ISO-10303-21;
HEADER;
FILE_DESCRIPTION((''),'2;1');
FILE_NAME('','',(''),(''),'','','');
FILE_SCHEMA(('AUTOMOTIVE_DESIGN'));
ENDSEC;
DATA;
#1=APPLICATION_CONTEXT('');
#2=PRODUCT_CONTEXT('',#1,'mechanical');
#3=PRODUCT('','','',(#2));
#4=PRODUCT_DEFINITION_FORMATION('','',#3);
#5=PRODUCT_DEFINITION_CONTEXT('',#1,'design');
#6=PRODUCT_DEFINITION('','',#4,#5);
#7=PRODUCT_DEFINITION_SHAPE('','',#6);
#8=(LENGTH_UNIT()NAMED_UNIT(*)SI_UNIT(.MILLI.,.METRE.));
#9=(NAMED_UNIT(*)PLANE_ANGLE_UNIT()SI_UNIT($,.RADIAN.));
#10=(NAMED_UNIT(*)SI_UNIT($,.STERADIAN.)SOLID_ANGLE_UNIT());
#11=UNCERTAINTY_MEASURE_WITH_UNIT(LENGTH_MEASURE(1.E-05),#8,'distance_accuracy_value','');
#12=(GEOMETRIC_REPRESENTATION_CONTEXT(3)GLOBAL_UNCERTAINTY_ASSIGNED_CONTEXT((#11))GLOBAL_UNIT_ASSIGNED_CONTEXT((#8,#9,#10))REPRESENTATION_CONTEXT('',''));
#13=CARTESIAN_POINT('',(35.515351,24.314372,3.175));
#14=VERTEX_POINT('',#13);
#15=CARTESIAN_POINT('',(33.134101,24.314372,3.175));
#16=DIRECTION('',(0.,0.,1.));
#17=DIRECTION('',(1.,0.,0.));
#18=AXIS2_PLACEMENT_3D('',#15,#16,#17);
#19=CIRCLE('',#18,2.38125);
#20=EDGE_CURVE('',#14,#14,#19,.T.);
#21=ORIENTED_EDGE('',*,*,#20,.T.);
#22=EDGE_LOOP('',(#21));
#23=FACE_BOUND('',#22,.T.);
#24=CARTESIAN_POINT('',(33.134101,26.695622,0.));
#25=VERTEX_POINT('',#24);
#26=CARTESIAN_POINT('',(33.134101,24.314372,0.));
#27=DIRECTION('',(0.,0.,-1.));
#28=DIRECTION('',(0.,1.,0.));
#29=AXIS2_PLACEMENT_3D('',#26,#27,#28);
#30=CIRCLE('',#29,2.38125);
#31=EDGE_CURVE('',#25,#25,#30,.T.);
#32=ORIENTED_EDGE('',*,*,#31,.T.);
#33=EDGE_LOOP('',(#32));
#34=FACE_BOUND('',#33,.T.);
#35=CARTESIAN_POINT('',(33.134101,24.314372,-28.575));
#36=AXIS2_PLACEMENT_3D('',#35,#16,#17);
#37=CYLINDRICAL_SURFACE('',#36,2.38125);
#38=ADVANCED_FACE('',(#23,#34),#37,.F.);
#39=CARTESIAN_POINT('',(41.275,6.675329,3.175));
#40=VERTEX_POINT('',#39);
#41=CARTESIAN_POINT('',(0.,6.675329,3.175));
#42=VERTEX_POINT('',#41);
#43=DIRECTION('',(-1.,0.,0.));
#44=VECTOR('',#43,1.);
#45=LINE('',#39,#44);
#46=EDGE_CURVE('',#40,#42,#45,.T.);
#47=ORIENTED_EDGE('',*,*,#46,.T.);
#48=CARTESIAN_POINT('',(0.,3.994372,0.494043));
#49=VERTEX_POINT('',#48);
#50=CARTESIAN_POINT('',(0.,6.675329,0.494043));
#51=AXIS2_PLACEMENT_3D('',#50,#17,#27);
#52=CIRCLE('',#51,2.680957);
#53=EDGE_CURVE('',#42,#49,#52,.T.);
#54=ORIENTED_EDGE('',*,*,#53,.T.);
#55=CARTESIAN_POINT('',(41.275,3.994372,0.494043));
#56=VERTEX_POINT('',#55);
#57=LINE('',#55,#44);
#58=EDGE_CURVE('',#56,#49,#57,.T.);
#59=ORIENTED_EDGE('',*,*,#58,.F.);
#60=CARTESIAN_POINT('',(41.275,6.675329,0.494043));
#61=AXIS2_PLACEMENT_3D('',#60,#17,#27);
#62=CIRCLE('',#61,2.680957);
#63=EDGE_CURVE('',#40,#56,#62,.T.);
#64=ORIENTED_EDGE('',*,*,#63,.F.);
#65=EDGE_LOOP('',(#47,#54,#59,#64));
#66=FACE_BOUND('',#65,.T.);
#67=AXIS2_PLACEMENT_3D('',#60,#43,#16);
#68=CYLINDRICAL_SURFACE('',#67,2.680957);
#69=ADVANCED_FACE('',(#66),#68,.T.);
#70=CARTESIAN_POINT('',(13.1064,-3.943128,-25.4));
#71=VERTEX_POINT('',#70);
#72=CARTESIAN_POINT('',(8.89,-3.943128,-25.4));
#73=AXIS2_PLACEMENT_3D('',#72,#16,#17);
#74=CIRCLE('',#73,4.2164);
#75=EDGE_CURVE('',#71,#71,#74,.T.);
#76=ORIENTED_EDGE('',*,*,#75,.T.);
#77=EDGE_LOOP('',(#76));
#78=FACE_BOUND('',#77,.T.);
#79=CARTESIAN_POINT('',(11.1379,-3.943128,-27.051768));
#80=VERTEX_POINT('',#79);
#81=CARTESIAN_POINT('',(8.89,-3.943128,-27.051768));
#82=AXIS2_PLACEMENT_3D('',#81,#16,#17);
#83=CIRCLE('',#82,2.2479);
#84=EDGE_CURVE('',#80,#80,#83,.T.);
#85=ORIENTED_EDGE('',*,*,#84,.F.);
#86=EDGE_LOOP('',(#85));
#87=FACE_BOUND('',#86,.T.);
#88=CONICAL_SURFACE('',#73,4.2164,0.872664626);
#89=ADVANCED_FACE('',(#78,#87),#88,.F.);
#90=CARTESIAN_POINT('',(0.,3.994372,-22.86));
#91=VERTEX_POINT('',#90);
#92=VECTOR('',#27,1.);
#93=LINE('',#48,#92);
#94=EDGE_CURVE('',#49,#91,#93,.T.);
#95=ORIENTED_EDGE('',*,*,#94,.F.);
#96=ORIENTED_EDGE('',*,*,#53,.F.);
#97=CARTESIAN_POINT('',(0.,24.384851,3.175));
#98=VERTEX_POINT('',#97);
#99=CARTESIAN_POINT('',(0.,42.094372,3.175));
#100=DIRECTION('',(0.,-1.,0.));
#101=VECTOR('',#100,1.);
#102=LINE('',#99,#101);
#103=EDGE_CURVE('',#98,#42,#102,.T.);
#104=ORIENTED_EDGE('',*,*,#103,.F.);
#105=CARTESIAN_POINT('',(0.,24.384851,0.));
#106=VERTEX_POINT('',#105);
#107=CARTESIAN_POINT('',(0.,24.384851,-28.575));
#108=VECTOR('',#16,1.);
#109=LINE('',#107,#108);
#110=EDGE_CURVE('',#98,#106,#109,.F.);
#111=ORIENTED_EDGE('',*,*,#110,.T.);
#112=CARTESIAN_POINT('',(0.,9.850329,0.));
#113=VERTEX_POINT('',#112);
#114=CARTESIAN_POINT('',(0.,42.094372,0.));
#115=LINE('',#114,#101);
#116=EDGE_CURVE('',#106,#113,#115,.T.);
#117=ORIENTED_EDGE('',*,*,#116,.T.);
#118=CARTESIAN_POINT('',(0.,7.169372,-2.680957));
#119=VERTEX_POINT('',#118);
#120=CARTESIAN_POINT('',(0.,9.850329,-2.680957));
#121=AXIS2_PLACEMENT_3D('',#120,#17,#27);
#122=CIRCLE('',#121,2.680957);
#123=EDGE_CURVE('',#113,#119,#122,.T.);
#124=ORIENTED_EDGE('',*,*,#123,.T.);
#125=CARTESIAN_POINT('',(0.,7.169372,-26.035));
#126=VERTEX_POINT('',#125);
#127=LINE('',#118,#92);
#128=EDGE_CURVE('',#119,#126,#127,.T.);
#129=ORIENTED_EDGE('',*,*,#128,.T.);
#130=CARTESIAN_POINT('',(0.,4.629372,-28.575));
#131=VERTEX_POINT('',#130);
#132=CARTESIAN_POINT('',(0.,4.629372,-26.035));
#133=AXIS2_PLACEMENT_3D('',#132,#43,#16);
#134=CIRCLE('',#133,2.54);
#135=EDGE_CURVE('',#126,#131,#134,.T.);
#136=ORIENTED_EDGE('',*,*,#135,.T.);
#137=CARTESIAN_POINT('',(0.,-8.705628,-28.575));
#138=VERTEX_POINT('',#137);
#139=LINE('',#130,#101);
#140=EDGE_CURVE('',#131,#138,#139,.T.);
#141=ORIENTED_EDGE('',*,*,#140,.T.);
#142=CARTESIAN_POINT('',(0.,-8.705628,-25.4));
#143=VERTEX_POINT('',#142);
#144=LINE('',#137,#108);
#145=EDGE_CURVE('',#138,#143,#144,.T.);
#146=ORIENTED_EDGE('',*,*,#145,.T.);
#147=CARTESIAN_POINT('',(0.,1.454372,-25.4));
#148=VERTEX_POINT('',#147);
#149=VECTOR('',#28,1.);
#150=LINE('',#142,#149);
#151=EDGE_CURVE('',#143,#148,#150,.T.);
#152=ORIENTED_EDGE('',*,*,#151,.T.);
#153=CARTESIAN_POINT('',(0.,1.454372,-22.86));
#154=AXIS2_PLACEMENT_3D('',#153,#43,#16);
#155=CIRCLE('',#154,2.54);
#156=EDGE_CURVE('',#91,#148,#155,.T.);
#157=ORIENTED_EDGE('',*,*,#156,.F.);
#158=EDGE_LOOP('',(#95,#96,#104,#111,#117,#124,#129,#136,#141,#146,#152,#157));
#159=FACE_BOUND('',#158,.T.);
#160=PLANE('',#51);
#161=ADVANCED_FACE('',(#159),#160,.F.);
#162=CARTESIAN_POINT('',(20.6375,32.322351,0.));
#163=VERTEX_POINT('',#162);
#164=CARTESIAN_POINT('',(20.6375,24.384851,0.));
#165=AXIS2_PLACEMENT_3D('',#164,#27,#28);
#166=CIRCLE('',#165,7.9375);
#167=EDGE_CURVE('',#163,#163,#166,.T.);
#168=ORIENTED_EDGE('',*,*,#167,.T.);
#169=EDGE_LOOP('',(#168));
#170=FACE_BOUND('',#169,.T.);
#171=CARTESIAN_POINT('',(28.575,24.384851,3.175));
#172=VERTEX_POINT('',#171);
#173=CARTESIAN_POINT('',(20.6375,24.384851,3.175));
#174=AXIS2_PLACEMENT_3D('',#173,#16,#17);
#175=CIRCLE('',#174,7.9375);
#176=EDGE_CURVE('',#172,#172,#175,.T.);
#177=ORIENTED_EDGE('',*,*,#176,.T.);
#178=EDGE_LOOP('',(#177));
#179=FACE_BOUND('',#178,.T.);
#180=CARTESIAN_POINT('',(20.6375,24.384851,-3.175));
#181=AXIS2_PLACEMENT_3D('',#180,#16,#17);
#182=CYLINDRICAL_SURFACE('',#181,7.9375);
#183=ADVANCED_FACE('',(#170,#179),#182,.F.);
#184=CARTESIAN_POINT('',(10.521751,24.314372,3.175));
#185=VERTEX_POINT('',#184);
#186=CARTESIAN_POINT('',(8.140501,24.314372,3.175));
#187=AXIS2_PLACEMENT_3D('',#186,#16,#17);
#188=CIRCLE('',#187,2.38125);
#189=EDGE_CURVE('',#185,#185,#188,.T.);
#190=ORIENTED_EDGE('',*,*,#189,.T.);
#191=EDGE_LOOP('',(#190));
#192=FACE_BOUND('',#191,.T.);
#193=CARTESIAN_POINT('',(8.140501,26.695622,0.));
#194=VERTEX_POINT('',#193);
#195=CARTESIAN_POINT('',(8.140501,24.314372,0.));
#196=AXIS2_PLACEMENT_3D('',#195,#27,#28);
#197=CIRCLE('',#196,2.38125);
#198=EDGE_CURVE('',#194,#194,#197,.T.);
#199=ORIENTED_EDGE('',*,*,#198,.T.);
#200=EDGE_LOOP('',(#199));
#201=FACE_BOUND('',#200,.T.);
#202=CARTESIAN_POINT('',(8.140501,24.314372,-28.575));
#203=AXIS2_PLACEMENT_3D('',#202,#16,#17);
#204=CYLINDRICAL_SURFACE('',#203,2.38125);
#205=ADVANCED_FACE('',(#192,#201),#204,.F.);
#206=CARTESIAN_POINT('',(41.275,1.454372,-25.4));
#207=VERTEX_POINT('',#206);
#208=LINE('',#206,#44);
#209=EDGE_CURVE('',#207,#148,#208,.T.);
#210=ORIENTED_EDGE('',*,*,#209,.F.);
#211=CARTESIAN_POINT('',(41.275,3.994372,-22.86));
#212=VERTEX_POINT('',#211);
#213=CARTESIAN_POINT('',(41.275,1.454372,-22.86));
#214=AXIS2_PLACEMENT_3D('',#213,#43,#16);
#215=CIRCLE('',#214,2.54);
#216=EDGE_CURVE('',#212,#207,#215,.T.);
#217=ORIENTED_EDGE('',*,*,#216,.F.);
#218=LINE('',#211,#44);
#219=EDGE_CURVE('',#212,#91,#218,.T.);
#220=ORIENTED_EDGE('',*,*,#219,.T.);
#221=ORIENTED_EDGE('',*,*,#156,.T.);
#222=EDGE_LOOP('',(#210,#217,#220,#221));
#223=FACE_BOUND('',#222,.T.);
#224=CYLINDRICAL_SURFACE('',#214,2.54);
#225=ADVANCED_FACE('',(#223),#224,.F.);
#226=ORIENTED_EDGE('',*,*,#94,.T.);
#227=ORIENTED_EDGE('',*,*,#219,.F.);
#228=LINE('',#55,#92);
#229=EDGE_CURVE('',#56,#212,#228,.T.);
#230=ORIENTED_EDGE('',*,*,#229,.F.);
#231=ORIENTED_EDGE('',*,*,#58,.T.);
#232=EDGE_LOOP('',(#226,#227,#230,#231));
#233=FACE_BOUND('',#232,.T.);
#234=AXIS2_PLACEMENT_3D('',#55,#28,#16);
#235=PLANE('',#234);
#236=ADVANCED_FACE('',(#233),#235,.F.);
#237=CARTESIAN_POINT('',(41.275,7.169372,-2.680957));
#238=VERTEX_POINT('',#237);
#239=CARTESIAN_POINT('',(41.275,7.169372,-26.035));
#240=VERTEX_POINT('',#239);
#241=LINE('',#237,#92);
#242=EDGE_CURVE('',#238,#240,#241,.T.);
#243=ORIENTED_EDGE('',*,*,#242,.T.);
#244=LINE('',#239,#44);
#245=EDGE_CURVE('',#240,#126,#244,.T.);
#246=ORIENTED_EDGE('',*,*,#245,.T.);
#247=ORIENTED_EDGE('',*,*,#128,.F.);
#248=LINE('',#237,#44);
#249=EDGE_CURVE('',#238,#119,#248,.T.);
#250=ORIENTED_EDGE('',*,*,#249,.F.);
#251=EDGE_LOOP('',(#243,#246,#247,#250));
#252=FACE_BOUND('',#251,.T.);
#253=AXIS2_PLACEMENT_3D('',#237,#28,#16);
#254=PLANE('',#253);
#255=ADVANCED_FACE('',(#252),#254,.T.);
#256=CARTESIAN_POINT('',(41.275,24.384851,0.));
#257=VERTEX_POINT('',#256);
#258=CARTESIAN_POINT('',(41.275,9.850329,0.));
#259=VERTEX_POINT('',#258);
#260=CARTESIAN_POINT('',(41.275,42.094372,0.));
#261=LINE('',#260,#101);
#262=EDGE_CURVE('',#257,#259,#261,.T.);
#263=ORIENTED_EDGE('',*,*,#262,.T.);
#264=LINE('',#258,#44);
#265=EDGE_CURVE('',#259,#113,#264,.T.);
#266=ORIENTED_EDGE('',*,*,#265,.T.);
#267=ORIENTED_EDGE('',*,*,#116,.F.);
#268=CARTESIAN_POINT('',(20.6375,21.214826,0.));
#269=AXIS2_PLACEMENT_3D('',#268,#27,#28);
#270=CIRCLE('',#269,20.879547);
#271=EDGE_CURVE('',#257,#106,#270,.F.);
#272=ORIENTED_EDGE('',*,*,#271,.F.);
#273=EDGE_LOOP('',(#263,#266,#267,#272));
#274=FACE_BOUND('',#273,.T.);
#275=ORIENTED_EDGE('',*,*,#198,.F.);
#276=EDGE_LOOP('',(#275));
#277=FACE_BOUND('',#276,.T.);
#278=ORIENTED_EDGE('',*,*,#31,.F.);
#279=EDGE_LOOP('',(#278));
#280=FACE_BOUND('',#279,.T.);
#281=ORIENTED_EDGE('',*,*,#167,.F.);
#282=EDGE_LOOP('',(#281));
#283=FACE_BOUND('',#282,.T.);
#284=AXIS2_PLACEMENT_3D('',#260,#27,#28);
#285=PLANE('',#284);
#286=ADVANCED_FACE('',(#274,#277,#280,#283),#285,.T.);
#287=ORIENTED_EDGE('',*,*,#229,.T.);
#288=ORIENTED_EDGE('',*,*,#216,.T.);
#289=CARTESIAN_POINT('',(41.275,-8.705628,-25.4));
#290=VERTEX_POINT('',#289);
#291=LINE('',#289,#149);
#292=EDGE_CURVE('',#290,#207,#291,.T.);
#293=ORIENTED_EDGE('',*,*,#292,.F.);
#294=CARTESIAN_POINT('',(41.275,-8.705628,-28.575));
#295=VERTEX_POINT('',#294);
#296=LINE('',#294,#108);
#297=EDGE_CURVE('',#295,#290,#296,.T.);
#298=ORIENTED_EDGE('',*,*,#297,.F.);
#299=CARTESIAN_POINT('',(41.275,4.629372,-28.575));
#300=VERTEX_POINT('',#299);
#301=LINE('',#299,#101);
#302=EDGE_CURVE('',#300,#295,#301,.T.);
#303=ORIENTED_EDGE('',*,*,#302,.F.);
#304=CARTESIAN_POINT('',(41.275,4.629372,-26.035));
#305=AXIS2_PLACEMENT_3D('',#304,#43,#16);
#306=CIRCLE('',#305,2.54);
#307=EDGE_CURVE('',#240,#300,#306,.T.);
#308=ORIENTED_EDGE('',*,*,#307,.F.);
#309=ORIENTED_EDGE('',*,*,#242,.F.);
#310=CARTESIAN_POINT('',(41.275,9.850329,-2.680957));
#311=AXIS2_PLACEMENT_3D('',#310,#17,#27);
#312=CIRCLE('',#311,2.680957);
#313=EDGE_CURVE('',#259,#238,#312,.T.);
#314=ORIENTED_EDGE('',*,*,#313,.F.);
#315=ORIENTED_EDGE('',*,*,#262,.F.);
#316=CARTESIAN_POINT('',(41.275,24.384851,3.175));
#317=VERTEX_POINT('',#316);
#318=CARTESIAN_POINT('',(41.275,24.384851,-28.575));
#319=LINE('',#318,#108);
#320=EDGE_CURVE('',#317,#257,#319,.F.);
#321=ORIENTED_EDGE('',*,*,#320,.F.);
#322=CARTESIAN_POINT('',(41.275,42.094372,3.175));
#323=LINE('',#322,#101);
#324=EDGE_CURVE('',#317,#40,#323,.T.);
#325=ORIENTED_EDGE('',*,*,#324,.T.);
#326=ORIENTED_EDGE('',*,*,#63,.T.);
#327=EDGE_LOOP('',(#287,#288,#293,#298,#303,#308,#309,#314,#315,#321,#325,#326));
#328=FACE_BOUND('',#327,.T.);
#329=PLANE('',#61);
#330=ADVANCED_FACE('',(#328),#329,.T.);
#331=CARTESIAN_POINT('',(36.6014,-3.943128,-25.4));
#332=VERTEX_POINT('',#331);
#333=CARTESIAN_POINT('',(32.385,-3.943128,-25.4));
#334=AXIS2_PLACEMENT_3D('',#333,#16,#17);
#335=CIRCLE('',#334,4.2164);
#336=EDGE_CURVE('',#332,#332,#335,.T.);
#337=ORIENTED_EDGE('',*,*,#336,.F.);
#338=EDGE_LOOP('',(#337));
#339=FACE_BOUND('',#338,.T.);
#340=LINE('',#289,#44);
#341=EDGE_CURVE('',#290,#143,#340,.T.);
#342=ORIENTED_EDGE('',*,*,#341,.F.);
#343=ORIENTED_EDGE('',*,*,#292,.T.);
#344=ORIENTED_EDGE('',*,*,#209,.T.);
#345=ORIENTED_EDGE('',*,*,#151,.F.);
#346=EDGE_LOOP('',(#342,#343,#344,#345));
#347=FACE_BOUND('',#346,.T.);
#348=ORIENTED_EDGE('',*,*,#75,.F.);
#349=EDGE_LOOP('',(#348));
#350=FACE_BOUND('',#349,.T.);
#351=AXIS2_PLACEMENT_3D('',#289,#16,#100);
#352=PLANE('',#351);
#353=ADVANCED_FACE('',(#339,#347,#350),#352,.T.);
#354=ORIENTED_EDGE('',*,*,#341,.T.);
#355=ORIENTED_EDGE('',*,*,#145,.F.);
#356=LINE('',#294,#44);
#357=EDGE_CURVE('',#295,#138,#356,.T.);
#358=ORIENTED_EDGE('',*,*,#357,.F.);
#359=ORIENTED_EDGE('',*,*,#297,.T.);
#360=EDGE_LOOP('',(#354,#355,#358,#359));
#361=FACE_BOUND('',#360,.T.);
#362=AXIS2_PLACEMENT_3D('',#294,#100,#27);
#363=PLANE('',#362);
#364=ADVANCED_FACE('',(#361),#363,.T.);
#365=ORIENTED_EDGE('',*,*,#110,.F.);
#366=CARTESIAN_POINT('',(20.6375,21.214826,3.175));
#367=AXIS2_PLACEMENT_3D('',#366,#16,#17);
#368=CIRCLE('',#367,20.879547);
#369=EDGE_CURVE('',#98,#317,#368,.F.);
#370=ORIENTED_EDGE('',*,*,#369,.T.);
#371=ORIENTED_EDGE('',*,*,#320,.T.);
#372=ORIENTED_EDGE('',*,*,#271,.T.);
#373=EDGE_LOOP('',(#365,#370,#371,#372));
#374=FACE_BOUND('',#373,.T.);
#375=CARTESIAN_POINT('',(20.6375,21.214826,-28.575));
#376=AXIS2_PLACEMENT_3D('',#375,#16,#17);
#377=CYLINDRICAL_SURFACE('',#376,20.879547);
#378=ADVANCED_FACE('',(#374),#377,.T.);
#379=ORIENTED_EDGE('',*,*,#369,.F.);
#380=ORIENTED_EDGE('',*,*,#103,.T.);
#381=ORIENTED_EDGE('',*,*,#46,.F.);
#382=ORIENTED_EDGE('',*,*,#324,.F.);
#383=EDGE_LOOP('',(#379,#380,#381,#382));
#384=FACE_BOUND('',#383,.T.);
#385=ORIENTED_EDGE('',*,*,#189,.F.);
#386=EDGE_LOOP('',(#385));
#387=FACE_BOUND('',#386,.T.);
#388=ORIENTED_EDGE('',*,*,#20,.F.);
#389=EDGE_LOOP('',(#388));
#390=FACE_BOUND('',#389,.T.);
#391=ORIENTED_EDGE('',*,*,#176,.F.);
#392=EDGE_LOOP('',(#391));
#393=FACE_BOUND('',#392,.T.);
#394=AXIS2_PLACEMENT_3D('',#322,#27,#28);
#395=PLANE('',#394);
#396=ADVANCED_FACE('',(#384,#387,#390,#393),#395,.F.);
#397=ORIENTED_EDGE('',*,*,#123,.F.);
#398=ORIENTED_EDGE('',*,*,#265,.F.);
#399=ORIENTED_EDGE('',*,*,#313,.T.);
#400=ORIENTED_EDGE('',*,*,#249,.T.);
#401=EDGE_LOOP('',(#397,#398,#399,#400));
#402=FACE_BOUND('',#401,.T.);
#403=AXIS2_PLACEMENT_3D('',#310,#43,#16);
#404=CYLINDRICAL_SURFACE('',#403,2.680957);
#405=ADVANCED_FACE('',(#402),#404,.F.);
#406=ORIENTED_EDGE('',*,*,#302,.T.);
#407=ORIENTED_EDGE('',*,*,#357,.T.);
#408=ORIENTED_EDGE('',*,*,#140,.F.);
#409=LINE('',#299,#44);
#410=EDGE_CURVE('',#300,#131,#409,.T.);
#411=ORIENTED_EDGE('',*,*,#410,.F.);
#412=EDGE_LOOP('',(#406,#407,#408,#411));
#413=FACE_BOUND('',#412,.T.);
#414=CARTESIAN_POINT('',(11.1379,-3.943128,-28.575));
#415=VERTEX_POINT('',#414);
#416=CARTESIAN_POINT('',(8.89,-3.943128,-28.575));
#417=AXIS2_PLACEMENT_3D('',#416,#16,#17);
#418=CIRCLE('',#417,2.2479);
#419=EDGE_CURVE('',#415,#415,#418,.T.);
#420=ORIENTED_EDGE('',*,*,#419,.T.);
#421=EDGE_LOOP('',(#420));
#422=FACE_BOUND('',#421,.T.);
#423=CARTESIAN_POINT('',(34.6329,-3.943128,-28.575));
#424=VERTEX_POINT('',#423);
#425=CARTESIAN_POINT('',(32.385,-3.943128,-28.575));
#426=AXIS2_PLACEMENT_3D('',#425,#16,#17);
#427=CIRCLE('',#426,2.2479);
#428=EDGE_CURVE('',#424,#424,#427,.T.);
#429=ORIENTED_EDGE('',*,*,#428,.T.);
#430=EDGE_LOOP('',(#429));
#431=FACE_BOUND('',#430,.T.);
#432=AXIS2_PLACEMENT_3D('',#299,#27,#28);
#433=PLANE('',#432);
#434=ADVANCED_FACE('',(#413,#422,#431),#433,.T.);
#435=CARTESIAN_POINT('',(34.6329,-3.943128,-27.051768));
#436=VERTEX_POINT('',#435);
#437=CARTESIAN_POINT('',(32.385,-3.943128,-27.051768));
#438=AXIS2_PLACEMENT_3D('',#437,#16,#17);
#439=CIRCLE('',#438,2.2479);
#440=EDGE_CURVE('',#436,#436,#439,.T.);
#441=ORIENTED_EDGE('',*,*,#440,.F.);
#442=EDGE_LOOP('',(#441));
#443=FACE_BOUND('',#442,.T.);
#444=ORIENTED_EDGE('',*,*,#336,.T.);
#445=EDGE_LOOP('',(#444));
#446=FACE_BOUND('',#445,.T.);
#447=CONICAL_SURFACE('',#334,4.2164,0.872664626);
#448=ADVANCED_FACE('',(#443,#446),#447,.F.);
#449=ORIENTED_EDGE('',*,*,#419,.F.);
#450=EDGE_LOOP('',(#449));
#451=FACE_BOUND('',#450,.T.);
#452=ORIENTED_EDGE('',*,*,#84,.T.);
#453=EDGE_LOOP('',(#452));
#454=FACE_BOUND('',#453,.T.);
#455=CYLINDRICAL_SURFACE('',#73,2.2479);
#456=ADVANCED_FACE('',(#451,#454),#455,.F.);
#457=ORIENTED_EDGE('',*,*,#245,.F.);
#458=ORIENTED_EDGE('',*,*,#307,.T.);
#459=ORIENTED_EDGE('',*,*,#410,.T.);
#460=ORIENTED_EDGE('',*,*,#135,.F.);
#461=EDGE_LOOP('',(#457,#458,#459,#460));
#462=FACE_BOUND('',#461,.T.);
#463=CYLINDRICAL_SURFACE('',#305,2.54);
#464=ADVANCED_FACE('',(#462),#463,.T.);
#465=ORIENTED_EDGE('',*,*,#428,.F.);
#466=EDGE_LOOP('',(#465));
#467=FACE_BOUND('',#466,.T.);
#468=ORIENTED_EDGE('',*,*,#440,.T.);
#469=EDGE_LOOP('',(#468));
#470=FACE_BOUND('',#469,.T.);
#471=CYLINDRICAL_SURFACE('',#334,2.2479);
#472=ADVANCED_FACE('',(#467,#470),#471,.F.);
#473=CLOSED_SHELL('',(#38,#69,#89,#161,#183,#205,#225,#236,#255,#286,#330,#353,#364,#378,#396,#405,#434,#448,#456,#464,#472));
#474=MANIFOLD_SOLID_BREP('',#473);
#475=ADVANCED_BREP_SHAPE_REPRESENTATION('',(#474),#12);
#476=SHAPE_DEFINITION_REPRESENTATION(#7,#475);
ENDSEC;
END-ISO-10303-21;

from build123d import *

# Parameters (mm, degrees)
BOSS_EXTRUDE1_DEPTH                       = 41.275
SKETCH3_R                                 = 7.9375
CUT_EXTRUDE2_DEPTH                        = 6.35
SKETCH4_R                                 = 2.38125
CUT_EXTRUDE3_DEPTH                        = 67.959870826
CSK_FOR_8_FLAT_HEAD_MACHINE_SCREW_2_COUNT = 2
CSK_FOR_8_FLAT_HEAD_MACHINE_SCREW_2_PITCH = 23.495


with BuildPart() as part:
    # Sketch1 → Boss-Extrude1 (new body)
    with BuildSketch(Plane(origin=(0, 0, 0), x_dir=(0, 0, -1), z_dir=(1, 0, 0))):
        with BuildLine():
            Line((0, 42.094372261), (0, 9.850328802))
            ThreePointArc((0, 9.850328802), (0.785233991, 7.954606252), (2.680956542, 7.169372261))
            Line((2.680956542, 7.169372261), (26.035, 7.169372261))
            ThreePointArc((26.035, 7.169372261), (27.831051224, 6.425423485), (28.575, 4.629372261))
            Line((28.575, 4.629372261), (28.575, -8.705627739))
            Line((28.575, -8.705627739), (25.4, -8.705627739))
            Line((25.4, -8.705627739), (25.4, 1.454372261))
            ThreePointArc((25.4, 1.454372261), (24.656051224, 3.250423485), (22.86, 3.994372261))
            Line((22.86, 3.994372261), (-0.494043458, 3.994372261))
            ThreePointArc((-0.494043458, 3.994372261), (-2.389766009, 4.779606252), (-3.175, 6.675328802))
            Line((-3.175, 6.675328802), (-3.175, 42.094372261))
            Line((-3.175, 42.094372261), (0, 42.094372261))
        make_face()
    extrude(amount=BOSS_EXTRUDE1_DEPTH)

    # Sketch3 → Cut-Extrude2 (cut)
    with BuildSketch(Plane.XY.offset(3.175)):
        with Locations((20.6375, 24.384850532)):
            Circle(SKETCH3_R)
    extrude(amount=-CUT_EXTRUDE2_DEPTH, mode=Mode.SUBTRACT)

    # Sketch4 → Cut-Extrude3 (cut, through all)
    with BuildSketch(Plane.XY.offset(3.175)):
        with BuildLine():
            Line((0, 42.094372261), (0, 24.384850532))
            ThreePointArc((0, 24.384850532), (7.04031678, 37.060079652), (20.6375, 42.094372261))
            Line((20.6375, 42.094372261), (0, 42.094372261))
        make_face()
        with BuildLine():
            Line((41.275, 42.094372261), (20.6375, 42.094372261))
            ThreePointArc((20.6375, 42.094372261), (34.23468322, 37.060079652), (41.275, 24.384850532))
            Line((41.275, 24.384850532), (41.275, 42.094372261))
        make_face()
        with Locations((8.14050126, 24.314372261)):
            Circle(SKETCH4_R)
        with Locations((33.13410126, 24.314372261)):
            Circle(SKETCH4_R)
    extrude(amount=-CUT_EXTRUDE3_DEPTH, mode=Mode.SUBTRACT)

    # Sketch10 → CSK for #8 Flat Head Machine Screw (100)2 (revolve, cut)
    with BuildSketch(Plane(origin=(8.89, -3.943127739, -25.4), x_dir=(0, -1, 0), z_dir=(1, 0, 0))):
        Polygon((0, 0), (0, 3.175), (2.2479, 3.175), (2.2479, 1.651767624), (4.2164, 0), align=None)
    csk_for_8_flat_head_machine_screw_100 = revolve(axis=Axis((8.89, -3.943127739, -19.05), (0, 0, -1)), mode=Mode.SUBTRACT)

    # CSK for _8 Flat Head Machine Screw _ 2: CSK for #8 Flat Head Machine Screw (100)2 ×2
    with Locations(*[(i * CSK_FOR_8_FLAT_HEAD_MACHINE_SCREW_2_PITCH, 0, 0) for i in range(1, CSK_FOR_8_FLAT_HEAD_MACHINE_SCREW_2_COUNT)]):
        add(csk_for_8_flat_head_machine_screw_100, mode=Mode.SUBTRACT)


solid = part.part
